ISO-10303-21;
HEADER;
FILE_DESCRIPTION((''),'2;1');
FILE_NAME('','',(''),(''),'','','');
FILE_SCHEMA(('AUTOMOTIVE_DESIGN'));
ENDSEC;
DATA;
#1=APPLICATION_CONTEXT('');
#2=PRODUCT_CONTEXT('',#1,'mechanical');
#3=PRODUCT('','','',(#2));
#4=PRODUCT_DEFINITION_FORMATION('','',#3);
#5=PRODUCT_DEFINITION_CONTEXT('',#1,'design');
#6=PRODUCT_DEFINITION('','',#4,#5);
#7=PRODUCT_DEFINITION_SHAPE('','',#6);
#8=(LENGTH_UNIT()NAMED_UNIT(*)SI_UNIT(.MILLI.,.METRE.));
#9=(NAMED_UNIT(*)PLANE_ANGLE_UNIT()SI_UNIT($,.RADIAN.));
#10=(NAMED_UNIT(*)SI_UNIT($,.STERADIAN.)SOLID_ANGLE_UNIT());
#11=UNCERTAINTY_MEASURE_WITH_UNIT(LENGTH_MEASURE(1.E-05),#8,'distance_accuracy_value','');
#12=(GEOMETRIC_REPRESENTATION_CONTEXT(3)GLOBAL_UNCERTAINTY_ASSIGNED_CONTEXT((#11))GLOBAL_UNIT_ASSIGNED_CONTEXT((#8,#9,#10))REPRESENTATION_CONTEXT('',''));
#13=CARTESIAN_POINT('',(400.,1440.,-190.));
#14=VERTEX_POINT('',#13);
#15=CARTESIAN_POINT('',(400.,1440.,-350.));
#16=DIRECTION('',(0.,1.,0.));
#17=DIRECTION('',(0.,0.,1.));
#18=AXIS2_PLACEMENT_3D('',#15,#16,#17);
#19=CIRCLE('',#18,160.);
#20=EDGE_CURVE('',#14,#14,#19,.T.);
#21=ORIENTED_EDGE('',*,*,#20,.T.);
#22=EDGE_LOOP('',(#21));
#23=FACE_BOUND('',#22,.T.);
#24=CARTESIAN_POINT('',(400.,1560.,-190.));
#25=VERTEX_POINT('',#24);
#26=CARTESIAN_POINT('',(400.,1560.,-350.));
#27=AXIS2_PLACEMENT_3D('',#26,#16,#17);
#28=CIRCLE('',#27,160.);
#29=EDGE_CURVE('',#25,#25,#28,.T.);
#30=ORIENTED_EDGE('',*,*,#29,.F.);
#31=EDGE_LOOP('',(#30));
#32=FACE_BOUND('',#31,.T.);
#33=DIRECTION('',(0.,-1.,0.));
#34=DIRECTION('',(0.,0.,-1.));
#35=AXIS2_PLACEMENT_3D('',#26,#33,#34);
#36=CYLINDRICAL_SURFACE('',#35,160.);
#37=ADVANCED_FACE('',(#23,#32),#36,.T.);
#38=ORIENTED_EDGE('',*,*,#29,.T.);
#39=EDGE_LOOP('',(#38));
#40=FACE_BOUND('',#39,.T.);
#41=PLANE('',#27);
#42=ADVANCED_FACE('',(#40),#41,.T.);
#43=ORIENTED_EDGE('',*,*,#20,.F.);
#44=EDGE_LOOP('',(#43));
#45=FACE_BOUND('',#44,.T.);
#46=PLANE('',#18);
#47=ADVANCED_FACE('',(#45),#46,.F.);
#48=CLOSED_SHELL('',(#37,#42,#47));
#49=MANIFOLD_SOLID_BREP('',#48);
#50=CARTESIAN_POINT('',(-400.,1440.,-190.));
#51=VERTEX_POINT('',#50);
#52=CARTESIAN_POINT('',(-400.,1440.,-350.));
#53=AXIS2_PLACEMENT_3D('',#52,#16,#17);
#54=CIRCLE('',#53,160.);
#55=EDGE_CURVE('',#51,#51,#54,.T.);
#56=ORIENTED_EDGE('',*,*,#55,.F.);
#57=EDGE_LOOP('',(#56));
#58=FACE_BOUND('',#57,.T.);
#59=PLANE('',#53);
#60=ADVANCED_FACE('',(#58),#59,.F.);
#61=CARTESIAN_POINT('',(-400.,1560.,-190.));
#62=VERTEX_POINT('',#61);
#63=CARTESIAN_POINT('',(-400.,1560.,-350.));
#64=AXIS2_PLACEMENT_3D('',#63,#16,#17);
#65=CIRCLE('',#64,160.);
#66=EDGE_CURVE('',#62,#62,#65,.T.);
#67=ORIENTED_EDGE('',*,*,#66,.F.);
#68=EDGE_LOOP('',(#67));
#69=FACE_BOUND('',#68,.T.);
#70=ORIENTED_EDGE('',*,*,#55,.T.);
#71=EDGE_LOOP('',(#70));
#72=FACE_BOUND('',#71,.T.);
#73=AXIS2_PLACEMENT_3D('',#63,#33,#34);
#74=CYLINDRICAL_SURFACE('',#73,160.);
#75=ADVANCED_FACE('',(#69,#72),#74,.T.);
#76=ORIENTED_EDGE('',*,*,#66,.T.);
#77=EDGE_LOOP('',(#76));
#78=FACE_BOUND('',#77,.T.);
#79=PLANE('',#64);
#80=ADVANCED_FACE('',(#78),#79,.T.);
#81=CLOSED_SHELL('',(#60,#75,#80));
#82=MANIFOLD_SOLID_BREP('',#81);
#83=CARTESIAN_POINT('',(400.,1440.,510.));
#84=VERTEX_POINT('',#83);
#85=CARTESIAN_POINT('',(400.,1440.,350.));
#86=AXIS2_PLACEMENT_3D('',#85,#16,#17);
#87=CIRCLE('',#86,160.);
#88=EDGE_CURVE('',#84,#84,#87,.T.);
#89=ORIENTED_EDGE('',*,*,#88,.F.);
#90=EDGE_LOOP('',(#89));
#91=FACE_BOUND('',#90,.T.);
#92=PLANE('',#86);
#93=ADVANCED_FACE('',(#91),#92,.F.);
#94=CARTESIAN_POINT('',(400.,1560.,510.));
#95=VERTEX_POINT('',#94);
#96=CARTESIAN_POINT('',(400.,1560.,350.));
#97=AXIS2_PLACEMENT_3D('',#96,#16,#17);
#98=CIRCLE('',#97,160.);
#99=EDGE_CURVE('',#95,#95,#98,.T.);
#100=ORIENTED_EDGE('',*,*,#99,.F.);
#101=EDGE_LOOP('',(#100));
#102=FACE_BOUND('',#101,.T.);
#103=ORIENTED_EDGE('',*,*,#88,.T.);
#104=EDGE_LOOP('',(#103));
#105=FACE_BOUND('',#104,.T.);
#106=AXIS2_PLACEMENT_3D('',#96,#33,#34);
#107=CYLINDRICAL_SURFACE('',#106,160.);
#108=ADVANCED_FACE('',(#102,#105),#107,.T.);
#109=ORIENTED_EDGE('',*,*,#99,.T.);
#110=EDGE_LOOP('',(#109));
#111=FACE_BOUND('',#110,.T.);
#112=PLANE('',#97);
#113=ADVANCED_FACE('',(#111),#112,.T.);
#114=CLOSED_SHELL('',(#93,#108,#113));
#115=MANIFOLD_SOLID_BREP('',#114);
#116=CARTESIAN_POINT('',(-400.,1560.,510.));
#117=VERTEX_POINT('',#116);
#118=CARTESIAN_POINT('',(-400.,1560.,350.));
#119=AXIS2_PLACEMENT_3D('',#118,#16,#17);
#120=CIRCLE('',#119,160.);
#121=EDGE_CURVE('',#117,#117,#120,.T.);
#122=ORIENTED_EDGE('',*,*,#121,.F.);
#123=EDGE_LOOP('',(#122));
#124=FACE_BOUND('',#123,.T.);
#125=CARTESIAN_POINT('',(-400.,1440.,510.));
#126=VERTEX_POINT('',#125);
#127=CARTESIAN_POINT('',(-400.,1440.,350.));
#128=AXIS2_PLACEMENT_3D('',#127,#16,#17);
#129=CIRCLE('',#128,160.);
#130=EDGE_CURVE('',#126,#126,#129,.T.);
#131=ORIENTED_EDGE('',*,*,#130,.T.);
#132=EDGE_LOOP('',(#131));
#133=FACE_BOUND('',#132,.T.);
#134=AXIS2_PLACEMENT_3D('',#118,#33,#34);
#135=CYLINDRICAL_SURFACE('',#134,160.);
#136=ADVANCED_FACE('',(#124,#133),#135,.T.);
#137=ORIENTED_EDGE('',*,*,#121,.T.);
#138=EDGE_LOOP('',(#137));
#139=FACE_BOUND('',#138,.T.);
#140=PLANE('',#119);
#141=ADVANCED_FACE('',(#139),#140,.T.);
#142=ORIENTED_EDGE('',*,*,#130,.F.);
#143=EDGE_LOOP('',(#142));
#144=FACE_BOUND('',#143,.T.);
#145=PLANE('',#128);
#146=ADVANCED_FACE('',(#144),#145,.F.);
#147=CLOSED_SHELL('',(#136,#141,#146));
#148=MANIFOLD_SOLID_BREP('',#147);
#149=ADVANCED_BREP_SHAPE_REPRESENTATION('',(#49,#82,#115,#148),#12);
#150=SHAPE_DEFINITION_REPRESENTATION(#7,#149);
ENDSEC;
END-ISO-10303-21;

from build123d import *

# Parameters (mm, degrees)
BOSS_EXTRUDE1_START = 1440
SKETCH1_R           = 160
BOSS_EXTRUDE1_DEPTH = 120
BOSS_EXTRUDE2_START = 1440
SKETCH2_R           = 160
BOSS_EXTRUDE2_DEPTH = 120
BOSS_EXTRUDE3_START = 1440
SKETCH3_R           = 160
BOSS_EXTRUDE3_DEPTH = 120
BOSS_EXTRUDE4_START = 1440
SKETCH4_R           = 160
BOSS_EXTRUDE4_DEPTH = 120


with BuildPart() as part:
    # Sketch1 → Boss-Extrude1 (new body)
    with BuildSketch(Plane(origin=(0, 0, 0), x_dir=(1, 0, 0), z_dir=(0, 1, 0)).offset(BOSS_EXTRUDE1_START)):
        with Locations(Location((-400, 350, 0), (0, 0, 270))):
            Circle(SKETCH1_R)
    extrude(amount=BOSS_EXTRUDE1_DEPTH)


with BuildPart() as body_2:
    # Sketch2 → Boss-Extrude2 (new body)
    with BuildSketch(Plane(origin=(0, 0, 0), x_dir=(1, 0, 0), z_dir=(0, 1, 0)).offset(BOSS_EXTRUDE2_START)):
        with Locations(Location((-400, -350, 0), (0, 0, 270))):
            Circle(SKETCH2_R)
    extrude(amount=BOSS_EXTRUDE2_DEPTH)


with BuildPart() as body_3:
    # Sketch3 → Boss-Extrude3 (new body)
    with BuildSketch(Plane(origin=(0, 0, 0), x_dir=(1, 0, 0), z_dir=(0, 1, 0)).offset(BOSS_EXTRUDE3_START)):
        with Locations(Location((400, 350, 0), (0, 0, 270))):
            Circle(SKETCH3_R)
    extrude(amount=BOSS_EXTRUDE3_DEPTH)


with BuildPart() as body_4:
    # Sketch4 → Boss-Extrude4 (new body)
    with BuildSketch(Plane(origin=(0, 0, 0), x_dir=(1, 0, 0), z_dir=(0, 1, 0)).offset(BOSS_EXTRUDE4_START)):
        with Locations(Location((400, -350, 0), (0, 0, 270))):
            Circle(SKETCH4_R)
    extrude(amount=BOSS_EXTRUDE4_DEPTH)


solid = Compound([part.part, body_2.part, body_3.part, body_4.part])
